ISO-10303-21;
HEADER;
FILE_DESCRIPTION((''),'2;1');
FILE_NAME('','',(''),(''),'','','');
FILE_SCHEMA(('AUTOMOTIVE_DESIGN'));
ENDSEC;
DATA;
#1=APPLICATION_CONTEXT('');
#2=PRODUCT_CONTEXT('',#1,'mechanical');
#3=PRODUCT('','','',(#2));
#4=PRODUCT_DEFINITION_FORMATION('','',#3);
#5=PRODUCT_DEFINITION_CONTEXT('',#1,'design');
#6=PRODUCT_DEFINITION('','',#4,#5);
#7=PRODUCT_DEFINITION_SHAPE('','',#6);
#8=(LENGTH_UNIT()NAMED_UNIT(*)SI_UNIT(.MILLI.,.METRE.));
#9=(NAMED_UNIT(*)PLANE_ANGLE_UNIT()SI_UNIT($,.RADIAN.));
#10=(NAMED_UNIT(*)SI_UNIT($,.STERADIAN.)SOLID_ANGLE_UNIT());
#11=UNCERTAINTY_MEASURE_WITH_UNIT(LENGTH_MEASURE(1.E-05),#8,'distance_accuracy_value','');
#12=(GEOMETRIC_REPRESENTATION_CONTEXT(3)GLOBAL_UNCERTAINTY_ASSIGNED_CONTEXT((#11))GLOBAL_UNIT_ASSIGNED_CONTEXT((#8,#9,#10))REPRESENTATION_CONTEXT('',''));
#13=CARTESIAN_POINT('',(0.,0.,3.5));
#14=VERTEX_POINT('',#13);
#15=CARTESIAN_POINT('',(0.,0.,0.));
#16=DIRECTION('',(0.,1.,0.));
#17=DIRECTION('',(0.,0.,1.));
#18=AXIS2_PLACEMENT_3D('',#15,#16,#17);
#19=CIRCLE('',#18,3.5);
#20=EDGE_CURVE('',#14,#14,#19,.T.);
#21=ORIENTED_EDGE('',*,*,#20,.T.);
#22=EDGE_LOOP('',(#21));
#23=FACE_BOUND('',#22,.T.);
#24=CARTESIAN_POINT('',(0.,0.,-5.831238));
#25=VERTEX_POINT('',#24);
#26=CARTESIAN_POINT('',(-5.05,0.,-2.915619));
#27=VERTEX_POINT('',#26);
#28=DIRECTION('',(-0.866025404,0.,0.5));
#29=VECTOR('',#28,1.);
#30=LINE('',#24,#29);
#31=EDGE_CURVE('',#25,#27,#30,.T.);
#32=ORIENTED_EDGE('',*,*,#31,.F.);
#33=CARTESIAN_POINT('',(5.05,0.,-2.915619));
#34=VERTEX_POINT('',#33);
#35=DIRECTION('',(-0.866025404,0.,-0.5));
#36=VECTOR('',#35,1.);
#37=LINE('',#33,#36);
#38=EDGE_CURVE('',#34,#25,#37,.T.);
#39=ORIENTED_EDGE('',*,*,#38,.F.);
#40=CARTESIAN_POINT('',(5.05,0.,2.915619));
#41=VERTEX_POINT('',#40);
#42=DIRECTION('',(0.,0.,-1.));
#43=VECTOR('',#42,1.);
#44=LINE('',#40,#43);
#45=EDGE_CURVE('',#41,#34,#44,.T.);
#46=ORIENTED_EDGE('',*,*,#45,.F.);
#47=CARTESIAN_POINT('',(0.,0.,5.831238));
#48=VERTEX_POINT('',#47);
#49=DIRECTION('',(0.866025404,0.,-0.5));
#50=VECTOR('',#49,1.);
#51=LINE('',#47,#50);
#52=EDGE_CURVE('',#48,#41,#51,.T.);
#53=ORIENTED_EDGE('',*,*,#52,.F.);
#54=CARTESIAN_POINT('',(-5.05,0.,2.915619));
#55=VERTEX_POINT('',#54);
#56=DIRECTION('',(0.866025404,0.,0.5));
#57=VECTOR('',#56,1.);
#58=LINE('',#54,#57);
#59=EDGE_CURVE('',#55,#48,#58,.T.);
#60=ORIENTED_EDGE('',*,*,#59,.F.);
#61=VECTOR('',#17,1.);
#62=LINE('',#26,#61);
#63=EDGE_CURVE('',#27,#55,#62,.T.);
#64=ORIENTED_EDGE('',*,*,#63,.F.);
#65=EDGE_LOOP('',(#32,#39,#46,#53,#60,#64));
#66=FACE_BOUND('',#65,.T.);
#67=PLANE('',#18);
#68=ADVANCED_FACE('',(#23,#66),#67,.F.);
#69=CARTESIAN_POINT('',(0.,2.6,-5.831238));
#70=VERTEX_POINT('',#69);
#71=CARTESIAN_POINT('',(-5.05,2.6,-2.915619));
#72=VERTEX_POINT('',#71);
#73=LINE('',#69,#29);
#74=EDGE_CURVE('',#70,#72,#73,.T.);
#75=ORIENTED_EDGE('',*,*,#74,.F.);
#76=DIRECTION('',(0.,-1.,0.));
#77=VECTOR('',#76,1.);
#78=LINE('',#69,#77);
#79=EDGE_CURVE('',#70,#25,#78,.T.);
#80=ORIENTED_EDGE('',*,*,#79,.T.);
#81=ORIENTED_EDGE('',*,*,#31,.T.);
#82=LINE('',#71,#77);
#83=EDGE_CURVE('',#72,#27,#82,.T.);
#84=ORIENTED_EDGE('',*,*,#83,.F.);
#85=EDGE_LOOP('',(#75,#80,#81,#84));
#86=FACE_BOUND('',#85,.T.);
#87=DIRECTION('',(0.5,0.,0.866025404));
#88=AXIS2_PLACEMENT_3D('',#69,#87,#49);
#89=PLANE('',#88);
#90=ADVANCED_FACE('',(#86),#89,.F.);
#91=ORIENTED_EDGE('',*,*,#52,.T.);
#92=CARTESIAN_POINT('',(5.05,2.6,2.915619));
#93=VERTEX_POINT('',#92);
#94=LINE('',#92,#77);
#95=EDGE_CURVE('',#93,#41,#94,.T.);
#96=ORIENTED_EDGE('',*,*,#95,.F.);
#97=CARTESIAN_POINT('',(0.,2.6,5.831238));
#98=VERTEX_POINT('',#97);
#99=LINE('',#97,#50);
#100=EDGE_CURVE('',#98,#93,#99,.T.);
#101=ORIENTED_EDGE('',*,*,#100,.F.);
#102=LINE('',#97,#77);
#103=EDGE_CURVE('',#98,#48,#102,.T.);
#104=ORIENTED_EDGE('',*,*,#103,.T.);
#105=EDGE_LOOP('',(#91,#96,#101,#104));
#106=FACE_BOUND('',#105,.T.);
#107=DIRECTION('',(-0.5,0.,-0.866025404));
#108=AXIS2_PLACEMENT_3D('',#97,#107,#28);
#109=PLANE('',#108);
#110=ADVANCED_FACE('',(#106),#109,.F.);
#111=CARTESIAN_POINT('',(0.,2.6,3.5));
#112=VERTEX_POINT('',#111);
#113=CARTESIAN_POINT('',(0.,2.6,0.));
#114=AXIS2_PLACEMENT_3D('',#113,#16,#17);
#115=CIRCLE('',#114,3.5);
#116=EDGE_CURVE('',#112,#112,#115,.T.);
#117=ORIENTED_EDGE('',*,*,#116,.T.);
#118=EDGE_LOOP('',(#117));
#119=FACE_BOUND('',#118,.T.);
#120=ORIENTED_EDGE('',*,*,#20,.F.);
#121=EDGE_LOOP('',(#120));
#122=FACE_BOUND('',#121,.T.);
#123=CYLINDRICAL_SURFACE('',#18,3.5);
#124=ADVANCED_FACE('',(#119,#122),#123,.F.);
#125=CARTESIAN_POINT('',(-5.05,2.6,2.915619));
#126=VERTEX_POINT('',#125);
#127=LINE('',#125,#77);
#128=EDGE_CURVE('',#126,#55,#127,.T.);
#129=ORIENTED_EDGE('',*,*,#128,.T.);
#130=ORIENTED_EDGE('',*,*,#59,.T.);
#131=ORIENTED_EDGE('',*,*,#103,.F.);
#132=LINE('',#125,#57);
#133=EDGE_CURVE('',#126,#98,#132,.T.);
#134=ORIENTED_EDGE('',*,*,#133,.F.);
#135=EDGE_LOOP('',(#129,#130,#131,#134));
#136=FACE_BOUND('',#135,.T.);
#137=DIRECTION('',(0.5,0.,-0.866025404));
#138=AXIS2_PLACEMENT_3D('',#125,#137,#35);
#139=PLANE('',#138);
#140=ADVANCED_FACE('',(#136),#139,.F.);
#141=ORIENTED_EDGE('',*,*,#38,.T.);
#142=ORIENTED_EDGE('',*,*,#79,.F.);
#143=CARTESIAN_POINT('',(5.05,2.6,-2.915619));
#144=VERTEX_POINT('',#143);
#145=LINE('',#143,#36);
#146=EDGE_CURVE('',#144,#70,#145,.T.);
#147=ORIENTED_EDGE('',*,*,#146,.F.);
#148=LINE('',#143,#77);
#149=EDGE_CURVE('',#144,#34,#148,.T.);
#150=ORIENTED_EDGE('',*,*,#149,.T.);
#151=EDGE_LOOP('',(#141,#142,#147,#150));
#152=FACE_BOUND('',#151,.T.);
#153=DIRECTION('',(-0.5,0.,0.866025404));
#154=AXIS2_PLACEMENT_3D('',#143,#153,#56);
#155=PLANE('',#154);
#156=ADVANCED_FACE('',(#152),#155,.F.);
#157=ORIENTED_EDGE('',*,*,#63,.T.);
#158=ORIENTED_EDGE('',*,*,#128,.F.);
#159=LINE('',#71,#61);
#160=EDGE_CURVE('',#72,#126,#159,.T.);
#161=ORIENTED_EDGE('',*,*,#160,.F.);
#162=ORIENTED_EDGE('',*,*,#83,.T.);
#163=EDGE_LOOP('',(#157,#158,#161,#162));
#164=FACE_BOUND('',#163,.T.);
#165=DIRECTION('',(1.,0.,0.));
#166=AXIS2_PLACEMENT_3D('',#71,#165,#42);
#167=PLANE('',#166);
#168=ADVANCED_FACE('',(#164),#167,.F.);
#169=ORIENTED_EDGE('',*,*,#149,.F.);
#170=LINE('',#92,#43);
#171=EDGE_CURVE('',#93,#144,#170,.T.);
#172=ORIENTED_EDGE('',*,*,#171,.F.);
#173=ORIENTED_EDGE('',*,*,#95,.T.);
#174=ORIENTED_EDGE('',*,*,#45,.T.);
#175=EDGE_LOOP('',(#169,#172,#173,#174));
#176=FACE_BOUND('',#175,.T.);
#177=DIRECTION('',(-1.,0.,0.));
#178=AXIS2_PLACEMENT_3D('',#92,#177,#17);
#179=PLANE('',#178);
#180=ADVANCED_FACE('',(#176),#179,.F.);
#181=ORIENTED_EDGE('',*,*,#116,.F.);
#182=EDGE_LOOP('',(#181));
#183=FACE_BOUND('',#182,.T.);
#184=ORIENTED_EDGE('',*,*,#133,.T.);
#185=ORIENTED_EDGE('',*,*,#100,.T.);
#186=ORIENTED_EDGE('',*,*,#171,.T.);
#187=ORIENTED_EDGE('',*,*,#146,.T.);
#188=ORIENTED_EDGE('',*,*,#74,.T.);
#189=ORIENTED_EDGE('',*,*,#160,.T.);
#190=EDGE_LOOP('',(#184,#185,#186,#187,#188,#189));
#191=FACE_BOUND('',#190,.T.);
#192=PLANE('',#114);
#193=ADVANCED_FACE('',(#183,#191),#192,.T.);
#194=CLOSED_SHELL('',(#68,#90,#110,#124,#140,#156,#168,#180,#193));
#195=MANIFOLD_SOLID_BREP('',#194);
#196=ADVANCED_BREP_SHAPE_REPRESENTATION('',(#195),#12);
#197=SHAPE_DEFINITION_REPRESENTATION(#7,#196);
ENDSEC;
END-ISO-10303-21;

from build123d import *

# Parameters (mm, degrees)
BOSS_EXTRUDE1_DEPTH = 2.6
SKETCH2_R           = 3.5
CUT_EXTRUDE1_DEPTH  = 9.140382874


with BuildPart() as part:
    # Sketch1 → Boss-Extrude1 (new body)
    with BuildSketch(Plane(origin=(0, 0, 0), x_dir=(1, 0, 0), z_dir=(0, 1, 0))):
        Polygon((0, 5.831237719), (-5.05, 2.915618859), (-5.05, -2.915618859), (0, -5.831237719), (5.05, -2.915618859), (5.05, 2.915618859), align=None)
    extrude(amount=BOSS_EXTRUDE1_DEPTH)

    # Sketch2 → Cut-Extrude1 (cut, through all)
    with BuildSketch(Plane(origin=(0, 2.6, 0), x_dir=(1, 0, 0), z_dir=(0, 1, 0))):
        with Locations(Location((0, 0, 0), (0, 0, 270))):
            Circle(SKETCH2_R)
    extrude(amount=-CUT_EXTRUDE1_DEPTH, mode=Mode.SUBTRACT)


solid = part.part
